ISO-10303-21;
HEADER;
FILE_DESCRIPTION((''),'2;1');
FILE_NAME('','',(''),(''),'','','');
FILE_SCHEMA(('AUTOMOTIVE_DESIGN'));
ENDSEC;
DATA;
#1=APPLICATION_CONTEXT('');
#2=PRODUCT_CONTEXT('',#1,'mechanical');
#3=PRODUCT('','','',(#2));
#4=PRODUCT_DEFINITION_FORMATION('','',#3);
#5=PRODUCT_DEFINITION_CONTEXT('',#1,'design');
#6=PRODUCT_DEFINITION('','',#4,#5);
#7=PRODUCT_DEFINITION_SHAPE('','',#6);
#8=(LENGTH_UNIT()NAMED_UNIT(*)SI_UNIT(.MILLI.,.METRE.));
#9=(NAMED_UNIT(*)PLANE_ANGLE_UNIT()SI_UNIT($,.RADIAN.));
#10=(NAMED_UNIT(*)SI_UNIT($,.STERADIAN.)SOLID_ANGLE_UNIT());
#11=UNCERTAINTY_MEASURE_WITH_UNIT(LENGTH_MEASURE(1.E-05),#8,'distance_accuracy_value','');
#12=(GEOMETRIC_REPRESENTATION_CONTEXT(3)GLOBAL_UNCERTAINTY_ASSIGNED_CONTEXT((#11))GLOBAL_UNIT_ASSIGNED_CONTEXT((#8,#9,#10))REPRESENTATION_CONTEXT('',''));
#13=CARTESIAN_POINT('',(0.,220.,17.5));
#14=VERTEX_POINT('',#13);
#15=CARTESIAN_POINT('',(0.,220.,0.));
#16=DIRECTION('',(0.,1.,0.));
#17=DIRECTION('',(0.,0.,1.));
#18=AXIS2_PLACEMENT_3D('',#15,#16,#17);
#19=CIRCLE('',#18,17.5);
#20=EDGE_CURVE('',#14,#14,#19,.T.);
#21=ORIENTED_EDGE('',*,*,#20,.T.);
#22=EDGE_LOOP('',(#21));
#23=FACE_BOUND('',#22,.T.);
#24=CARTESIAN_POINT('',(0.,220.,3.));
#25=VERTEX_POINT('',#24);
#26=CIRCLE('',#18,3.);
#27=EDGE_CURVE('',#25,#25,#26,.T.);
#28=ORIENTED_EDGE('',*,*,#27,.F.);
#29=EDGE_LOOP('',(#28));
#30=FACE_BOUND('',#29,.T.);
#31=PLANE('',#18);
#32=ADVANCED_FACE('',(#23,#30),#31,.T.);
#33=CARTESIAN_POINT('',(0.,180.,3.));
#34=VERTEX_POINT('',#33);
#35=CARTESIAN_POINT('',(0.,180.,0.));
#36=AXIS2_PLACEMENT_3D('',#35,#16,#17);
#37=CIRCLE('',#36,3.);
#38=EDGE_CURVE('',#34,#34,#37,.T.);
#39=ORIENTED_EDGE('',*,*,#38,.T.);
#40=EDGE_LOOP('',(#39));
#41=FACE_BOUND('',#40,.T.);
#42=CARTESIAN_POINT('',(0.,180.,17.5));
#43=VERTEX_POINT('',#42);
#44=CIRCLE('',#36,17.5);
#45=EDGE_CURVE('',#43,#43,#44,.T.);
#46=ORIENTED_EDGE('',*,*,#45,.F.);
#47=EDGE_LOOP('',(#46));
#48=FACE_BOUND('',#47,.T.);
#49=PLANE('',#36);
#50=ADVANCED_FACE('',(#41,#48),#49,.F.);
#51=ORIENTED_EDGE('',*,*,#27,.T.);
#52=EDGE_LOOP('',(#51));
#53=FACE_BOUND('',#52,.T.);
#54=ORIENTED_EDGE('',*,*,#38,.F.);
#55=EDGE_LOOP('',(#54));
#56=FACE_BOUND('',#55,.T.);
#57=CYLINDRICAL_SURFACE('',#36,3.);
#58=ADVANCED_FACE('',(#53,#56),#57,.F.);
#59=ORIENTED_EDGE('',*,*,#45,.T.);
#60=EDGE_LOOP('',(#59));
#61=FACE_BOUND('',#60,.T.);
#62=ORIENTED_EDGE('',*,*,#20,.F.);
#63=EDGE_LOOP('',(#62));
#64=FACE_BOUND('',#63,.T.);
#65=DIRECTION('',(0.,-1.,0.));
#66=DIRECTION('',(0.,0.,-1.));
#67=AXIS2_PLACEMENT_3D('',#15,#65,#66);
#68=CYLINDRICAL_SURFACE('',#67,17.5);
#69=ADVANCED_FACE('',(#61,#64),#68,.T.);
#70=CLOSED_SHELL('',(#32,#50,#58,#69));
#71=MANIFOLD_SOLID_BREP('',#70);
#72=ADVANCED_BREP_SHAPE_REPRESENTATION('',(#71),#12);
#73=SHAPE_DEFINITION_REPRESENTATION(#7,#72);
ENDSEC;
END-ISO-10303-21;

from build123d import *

# Parameters (mm, degrees)
SKETCH1_R           = 175
BOSS_EXTRUDE1_DEPTH = 400
SCALE1_SCALE        = 0.1
SKETCH3_R           = 3
CUT_EXTRUDE1_DEPTH  = 41


with BuildPart() as part:
    # Sketch1 → Boss-Extrude1 (new body)
    with BuildSketch(Plane(origin=(0, 0, 0), x_dir=(1, 0, 0), z_dir=(0, 1, 0))):
        Circle(SKETCH1_R)
    extrude(amount=BOSS_EXTRUDE1_DEPTH)


with BuildPart() as part_1:
    # Scale1: scaled about (0, 200, 0)
    add(part.part.scale(SCALE1_SCALE).moved(Location((0, 180, 0))))

    # Sketch3 → Cut-Extrude1 (cut, through all)
    with BuildSketch(Plane(origin=(0, 220, 0), x_dir=(1, 0, 0), z_dir=(0, 1, 0))):
        Circle(SKETCH3_R)
    extrude(amount=-CUT_EXTRUDE1_DEPTH, mode=Mode.SUBTRACT)


solid = part_1.part
